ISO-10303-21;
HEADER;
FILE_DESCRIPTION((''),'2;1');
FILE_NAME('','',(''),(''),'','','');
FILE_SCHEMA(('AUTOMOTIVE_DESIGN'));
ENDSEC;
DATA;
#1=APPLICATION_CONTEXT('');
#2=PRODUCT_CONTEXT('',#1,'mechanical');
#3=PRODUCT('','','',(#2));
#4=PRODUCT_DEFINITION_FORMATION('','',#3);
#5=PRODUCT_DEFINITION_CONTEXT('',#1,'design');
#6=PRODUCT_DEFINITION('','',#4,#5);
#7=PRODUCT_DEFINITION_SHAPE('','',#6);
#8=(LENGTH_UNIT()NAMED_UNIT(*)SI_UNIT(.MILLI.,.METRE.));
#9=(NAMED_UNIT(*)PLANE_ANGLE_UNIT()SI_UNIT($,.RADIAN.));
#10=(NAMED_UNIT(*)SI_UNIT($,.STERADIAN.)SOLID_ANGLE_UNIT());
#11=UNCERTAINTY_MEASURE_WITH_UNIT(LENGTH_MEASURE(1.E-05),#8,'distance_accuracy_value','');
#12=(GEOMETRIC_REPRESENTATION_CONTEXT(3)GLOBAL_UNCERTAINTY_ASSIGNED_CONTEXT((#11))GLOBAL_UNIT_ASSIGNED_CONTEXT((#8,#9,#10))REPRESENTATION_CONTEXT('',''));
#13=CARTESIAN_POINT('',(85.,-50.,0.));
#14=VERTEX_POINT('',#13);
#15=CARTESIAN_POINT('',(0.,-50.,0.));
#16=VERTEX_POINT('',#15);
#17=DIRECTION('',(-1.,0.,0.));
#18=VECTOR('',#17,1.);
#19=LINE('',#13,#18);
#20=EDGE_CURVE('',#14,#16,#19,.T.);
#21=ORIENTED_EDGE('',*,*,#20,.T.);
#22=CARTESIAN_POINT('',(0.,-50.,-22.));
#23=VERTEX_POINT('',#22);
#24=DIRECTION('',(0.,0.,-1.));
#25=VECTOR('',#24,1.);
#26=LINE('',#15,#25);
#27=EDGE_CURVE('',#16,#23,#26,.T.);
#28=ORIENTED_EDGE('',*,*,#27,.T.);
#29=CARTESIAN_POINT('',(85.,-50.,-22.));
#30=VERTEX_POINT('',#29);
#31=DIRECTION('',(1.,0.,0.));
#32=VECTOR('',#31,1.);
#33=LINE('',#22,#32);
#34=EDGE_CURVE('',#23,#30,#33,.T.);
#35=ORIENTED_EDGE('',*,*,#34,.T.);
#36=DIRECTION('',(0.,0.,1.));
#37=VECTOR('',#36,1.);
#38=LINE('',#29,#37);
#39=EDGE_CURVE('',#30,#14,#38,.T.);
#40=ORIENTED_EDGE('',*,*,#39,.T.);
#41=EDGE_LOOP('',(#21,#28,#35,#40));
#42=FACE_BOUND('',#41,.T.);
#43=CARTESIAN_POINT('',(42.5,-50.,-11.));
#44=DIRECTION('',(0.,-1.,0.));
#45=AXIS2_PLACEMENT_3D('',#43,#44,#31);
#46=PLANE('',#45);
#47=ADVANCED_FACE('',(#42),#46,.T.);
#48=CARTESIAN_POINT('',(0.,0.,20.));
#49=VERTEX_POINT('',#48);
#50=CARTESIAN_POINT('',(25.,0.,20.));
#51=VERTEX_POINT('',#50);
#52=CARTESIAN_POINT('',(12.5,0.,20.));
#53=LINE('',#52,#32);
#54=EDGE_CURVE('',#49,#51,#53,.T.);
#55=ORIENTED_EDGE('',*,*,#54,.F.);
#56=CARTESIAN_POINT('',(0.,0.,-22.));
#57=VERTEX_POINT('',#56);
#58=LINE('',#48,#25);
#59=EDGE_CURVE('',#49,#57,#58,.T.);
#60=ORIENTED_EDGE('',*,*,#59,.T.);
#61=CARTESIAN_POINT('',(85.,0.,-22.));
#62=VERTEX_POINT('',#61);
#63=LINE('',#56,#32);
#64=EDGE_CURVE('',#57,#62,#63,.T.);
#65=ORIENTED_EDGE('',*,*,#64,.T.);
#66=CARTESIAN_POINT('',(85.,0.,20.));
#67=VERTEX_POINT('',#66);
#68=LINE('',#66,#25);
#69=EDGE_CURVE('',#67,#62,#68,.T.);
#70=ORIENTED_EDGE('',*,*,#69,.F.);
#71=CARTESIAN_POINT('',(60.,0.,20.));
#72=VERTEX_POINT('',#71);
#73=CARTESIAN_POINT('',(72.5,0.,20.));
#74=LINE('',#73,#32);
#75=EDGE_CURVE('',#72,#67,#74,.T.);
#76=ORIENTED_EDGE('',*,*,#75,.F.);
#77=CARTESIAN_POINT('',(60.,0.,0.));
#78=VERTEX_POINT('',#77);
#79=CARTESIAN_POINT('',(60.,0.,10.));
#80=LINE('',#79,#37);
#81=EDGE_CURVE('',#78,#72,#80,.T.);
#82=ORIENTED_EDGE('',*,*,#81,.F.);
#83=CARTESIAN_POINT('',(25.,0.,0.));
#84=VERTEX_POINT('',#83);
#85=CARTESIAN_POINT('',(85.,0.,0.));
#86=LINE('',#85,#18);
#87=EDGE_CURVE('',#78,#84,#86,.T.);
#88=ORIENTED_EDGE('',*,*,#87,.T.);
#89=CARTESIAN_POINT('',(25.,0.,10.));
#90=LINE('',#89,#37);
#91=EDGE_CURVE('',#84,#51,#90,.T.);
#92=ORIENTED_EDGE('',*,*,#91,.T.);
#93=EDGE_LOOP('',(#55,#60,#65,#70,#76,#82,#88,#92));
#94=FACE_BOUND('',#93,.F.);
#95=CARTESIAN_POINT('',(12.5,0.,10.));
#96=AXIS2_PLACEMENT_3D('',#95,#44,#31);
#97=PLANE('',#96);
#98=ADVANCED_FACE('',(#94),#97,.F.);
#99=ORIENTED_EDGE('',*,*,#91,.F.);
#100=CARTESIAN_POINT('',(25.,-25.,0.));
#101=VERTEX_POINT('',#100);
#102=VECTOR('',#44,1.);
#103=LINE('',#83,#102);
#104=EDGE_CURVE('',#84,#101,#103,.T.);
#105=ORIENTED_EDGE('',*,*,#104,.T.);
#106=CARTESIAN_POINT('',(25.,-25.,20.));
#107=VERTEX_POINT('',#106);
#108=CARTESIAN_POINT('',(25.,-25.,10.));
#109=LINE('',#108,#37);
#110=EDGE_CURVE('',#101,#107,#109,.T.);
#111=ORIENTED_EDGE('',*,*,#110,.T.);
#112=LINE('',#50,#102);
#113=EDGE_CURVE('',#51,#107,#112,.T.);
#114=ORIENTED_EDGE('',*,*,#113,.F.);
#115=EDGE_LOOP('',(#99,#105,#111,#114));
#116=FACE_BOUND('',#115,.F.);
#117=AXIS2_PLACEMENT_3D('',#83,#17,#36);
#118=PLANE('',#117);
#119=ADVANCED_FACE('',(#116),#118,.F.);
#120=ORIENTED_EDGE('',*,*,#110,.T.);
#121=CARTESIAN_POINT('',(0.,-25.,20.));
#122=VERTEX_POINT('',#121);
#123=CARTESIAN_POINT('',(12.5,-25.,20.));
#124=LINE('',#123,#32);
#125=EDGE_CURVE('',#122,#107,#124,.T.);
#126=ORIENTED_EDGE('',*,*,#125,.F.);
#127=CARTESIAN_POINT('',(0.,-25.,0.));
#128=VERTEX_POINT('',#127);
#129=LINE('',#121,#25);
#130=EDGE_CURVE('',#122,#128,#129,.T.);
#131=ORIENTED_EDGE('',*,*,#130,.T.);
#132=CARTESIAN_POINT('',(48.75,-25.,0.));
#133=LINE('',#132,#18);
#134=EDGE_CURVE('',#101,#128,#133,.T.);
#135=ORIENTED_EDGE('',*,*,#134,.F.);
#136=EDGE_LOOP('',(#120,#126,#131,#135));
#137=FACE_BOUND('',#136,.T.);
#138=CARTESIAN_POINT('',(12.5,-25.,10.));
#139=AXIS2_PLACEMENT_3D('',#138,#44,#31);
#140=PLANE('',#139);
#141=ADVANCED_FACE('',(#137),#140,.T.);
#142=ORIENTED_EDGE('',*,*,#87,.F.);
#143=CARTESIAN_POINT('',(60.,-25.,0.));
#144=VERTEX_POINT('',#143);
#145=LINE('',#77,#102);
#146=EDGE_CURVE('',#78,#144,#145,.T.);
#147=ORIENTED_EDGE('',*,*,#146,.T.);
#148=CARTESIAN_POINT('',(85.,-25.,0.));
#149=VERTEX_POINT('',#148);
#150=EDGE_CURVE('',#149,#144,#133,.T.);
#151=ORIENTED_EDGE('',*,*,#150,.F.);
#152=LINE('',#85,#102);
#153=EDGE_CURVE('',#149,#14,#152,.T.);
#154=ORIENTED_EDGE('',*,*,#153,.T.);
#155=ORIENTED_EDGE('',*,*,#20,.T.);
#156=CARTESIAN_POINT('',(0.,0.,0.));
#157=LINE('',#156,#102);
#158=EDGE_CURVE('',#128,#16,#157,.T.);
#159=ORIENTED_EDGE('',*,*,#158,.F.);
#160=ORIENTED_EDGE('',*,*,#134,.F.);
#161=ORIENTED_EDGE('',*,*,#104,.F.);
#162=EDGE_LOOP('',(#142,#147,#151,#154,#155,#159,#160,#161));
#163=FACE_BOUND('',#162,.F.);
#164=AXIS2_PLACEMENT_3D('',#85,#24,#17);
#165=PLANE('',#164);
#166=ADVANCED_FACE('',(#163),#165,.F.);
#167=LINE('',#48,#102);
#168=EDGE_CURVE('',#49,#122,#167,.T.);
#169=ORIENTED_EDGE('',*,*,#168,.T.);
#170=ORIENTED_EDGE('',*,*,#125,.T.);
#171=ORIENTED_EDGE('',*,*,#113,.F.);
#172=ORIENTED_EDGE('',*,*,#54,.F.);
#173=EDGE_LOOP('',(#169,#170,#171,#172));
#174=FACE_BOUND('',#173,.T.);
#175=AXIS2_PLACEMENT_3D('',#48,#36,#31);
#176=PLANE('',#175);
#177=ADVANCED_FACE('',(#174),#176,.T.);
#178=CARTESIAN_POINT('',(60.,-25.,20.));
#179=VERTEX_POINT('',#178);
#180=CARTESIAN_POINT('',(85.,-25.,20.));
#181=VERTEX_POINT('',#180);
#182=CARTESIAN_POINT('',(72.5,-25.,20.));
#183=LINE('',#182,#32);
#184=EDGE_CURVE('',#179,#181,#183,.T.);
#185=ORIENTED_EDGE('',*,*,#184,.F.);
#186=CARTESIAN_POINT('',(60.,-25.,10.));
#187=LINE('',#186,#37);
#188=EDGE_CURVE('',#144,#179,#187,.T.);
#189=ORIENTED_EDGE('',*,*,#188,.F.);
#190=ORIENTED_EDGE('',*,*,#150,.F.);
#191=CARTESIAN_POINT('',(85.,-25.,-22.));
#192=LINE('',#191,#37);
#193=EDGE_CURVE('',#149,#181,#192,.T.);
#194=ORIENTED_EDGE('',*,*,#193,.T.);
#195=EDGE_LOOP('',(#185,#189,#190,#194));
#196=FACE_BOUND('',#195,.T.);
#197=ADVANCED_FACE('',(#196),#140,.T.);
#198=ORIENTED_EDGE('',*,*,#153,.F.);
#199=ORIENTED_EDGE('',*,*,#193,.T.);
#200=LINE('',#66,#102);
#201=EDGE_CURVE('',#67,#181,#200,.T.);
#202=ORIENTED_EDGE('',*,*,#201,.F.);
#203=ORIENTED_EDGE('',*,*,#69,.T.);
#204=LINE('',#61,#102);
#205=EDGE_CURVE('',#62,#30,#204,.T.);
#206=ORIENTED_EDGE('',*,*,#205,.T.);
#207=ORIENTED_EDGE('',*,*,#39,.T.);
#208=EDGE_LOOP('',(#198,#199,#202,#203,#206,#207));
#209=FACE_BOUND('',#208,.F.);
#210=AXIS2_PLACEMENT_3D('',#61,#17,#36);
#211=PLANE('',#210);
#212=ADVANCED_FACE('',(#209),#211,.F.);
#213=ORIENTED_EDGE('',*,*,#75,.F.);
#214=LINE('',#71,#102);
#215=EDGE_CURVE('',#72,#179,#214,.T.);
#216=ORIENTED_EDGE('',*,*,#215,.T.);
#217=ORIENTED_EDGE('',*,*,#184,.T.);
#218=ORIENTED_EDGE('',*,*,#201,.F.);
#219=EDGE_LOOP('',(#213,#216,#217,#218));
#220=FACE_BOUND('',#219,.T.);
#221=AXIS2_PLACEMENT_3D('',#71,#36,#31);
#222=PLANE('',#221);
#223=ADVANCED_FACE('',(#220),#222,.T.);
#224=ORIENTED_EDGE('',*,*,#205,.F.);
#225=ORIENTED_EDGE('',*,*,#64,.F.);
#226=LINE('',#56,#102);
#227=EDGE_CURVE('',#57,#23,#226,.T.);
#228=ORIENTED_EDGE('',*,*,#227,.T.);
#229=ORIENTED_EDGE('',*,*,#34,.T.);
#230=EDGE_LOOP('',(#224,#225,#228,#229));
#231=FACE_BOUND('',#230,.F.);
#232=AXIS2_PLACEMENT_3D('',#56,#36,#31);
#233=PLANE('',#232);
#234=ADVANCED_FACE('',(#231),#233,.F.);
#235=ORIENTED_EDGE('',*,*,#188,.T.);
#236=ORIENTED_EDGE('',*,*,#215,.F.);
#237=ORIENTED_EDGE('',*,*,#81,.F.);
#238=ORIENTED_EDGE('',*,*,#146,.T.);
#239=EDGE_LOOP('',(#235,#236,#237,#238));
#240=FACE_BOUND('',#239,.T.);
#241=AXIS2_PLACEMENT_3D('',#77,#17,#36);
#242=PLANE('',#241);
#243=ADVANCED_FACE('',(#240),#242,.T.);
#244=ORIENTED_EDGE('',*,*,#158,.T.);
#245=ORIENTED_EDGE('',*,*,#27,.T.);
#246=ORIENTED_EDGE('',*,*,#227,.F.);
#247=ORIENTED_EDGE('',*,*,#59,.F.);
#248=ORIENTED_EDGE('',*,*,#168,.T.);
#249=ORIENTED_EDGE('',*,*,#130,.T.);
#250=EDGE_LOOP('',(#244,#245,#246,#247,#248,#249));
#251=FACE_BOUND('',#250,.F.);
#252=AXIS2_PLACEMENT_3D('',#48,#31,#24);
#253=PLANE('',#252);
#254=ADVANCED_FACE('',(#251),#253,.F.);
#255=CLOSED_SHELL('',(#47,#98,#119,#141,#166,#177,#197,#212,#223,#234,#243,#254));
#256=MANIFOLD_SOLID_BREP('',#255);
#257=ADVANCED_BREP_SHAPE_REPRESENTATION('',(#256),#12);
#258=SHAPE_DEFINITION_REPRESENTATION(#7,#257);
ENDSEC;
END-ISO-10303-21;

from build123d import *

# Parameters (mm, degrees)
F1_DEPTH = 50
F0_W     = 25
F0_H     = 20
F2_DEPTH = 25


with BuildPart() as f1:
    # F0 (on Front) → F1 (new body)
    with BuildSketch(Plane.XZ):
        Polygon((25, 0), (0, 0), (0, -22), (85, -22), (85, 0), (60, 0), align=None)
    extrude(amount=F1_DEPTH)

    # F0 (on Front) → F2 (join)
    with BuildSketch(Plane.XZ):
        with Locations((12.5, 10)):
            Rectangle(F0_W, F0_H)
        Polygon((25, 0), (0, 0), (0, -22), (85, -22), (85, 0), (60, 0), align=None)
        with Locations((72.5, 10)):
            Rectangle(F0_W, F0_H)
    extrude(amount=F2_DEPTH)


solid = f1.part
